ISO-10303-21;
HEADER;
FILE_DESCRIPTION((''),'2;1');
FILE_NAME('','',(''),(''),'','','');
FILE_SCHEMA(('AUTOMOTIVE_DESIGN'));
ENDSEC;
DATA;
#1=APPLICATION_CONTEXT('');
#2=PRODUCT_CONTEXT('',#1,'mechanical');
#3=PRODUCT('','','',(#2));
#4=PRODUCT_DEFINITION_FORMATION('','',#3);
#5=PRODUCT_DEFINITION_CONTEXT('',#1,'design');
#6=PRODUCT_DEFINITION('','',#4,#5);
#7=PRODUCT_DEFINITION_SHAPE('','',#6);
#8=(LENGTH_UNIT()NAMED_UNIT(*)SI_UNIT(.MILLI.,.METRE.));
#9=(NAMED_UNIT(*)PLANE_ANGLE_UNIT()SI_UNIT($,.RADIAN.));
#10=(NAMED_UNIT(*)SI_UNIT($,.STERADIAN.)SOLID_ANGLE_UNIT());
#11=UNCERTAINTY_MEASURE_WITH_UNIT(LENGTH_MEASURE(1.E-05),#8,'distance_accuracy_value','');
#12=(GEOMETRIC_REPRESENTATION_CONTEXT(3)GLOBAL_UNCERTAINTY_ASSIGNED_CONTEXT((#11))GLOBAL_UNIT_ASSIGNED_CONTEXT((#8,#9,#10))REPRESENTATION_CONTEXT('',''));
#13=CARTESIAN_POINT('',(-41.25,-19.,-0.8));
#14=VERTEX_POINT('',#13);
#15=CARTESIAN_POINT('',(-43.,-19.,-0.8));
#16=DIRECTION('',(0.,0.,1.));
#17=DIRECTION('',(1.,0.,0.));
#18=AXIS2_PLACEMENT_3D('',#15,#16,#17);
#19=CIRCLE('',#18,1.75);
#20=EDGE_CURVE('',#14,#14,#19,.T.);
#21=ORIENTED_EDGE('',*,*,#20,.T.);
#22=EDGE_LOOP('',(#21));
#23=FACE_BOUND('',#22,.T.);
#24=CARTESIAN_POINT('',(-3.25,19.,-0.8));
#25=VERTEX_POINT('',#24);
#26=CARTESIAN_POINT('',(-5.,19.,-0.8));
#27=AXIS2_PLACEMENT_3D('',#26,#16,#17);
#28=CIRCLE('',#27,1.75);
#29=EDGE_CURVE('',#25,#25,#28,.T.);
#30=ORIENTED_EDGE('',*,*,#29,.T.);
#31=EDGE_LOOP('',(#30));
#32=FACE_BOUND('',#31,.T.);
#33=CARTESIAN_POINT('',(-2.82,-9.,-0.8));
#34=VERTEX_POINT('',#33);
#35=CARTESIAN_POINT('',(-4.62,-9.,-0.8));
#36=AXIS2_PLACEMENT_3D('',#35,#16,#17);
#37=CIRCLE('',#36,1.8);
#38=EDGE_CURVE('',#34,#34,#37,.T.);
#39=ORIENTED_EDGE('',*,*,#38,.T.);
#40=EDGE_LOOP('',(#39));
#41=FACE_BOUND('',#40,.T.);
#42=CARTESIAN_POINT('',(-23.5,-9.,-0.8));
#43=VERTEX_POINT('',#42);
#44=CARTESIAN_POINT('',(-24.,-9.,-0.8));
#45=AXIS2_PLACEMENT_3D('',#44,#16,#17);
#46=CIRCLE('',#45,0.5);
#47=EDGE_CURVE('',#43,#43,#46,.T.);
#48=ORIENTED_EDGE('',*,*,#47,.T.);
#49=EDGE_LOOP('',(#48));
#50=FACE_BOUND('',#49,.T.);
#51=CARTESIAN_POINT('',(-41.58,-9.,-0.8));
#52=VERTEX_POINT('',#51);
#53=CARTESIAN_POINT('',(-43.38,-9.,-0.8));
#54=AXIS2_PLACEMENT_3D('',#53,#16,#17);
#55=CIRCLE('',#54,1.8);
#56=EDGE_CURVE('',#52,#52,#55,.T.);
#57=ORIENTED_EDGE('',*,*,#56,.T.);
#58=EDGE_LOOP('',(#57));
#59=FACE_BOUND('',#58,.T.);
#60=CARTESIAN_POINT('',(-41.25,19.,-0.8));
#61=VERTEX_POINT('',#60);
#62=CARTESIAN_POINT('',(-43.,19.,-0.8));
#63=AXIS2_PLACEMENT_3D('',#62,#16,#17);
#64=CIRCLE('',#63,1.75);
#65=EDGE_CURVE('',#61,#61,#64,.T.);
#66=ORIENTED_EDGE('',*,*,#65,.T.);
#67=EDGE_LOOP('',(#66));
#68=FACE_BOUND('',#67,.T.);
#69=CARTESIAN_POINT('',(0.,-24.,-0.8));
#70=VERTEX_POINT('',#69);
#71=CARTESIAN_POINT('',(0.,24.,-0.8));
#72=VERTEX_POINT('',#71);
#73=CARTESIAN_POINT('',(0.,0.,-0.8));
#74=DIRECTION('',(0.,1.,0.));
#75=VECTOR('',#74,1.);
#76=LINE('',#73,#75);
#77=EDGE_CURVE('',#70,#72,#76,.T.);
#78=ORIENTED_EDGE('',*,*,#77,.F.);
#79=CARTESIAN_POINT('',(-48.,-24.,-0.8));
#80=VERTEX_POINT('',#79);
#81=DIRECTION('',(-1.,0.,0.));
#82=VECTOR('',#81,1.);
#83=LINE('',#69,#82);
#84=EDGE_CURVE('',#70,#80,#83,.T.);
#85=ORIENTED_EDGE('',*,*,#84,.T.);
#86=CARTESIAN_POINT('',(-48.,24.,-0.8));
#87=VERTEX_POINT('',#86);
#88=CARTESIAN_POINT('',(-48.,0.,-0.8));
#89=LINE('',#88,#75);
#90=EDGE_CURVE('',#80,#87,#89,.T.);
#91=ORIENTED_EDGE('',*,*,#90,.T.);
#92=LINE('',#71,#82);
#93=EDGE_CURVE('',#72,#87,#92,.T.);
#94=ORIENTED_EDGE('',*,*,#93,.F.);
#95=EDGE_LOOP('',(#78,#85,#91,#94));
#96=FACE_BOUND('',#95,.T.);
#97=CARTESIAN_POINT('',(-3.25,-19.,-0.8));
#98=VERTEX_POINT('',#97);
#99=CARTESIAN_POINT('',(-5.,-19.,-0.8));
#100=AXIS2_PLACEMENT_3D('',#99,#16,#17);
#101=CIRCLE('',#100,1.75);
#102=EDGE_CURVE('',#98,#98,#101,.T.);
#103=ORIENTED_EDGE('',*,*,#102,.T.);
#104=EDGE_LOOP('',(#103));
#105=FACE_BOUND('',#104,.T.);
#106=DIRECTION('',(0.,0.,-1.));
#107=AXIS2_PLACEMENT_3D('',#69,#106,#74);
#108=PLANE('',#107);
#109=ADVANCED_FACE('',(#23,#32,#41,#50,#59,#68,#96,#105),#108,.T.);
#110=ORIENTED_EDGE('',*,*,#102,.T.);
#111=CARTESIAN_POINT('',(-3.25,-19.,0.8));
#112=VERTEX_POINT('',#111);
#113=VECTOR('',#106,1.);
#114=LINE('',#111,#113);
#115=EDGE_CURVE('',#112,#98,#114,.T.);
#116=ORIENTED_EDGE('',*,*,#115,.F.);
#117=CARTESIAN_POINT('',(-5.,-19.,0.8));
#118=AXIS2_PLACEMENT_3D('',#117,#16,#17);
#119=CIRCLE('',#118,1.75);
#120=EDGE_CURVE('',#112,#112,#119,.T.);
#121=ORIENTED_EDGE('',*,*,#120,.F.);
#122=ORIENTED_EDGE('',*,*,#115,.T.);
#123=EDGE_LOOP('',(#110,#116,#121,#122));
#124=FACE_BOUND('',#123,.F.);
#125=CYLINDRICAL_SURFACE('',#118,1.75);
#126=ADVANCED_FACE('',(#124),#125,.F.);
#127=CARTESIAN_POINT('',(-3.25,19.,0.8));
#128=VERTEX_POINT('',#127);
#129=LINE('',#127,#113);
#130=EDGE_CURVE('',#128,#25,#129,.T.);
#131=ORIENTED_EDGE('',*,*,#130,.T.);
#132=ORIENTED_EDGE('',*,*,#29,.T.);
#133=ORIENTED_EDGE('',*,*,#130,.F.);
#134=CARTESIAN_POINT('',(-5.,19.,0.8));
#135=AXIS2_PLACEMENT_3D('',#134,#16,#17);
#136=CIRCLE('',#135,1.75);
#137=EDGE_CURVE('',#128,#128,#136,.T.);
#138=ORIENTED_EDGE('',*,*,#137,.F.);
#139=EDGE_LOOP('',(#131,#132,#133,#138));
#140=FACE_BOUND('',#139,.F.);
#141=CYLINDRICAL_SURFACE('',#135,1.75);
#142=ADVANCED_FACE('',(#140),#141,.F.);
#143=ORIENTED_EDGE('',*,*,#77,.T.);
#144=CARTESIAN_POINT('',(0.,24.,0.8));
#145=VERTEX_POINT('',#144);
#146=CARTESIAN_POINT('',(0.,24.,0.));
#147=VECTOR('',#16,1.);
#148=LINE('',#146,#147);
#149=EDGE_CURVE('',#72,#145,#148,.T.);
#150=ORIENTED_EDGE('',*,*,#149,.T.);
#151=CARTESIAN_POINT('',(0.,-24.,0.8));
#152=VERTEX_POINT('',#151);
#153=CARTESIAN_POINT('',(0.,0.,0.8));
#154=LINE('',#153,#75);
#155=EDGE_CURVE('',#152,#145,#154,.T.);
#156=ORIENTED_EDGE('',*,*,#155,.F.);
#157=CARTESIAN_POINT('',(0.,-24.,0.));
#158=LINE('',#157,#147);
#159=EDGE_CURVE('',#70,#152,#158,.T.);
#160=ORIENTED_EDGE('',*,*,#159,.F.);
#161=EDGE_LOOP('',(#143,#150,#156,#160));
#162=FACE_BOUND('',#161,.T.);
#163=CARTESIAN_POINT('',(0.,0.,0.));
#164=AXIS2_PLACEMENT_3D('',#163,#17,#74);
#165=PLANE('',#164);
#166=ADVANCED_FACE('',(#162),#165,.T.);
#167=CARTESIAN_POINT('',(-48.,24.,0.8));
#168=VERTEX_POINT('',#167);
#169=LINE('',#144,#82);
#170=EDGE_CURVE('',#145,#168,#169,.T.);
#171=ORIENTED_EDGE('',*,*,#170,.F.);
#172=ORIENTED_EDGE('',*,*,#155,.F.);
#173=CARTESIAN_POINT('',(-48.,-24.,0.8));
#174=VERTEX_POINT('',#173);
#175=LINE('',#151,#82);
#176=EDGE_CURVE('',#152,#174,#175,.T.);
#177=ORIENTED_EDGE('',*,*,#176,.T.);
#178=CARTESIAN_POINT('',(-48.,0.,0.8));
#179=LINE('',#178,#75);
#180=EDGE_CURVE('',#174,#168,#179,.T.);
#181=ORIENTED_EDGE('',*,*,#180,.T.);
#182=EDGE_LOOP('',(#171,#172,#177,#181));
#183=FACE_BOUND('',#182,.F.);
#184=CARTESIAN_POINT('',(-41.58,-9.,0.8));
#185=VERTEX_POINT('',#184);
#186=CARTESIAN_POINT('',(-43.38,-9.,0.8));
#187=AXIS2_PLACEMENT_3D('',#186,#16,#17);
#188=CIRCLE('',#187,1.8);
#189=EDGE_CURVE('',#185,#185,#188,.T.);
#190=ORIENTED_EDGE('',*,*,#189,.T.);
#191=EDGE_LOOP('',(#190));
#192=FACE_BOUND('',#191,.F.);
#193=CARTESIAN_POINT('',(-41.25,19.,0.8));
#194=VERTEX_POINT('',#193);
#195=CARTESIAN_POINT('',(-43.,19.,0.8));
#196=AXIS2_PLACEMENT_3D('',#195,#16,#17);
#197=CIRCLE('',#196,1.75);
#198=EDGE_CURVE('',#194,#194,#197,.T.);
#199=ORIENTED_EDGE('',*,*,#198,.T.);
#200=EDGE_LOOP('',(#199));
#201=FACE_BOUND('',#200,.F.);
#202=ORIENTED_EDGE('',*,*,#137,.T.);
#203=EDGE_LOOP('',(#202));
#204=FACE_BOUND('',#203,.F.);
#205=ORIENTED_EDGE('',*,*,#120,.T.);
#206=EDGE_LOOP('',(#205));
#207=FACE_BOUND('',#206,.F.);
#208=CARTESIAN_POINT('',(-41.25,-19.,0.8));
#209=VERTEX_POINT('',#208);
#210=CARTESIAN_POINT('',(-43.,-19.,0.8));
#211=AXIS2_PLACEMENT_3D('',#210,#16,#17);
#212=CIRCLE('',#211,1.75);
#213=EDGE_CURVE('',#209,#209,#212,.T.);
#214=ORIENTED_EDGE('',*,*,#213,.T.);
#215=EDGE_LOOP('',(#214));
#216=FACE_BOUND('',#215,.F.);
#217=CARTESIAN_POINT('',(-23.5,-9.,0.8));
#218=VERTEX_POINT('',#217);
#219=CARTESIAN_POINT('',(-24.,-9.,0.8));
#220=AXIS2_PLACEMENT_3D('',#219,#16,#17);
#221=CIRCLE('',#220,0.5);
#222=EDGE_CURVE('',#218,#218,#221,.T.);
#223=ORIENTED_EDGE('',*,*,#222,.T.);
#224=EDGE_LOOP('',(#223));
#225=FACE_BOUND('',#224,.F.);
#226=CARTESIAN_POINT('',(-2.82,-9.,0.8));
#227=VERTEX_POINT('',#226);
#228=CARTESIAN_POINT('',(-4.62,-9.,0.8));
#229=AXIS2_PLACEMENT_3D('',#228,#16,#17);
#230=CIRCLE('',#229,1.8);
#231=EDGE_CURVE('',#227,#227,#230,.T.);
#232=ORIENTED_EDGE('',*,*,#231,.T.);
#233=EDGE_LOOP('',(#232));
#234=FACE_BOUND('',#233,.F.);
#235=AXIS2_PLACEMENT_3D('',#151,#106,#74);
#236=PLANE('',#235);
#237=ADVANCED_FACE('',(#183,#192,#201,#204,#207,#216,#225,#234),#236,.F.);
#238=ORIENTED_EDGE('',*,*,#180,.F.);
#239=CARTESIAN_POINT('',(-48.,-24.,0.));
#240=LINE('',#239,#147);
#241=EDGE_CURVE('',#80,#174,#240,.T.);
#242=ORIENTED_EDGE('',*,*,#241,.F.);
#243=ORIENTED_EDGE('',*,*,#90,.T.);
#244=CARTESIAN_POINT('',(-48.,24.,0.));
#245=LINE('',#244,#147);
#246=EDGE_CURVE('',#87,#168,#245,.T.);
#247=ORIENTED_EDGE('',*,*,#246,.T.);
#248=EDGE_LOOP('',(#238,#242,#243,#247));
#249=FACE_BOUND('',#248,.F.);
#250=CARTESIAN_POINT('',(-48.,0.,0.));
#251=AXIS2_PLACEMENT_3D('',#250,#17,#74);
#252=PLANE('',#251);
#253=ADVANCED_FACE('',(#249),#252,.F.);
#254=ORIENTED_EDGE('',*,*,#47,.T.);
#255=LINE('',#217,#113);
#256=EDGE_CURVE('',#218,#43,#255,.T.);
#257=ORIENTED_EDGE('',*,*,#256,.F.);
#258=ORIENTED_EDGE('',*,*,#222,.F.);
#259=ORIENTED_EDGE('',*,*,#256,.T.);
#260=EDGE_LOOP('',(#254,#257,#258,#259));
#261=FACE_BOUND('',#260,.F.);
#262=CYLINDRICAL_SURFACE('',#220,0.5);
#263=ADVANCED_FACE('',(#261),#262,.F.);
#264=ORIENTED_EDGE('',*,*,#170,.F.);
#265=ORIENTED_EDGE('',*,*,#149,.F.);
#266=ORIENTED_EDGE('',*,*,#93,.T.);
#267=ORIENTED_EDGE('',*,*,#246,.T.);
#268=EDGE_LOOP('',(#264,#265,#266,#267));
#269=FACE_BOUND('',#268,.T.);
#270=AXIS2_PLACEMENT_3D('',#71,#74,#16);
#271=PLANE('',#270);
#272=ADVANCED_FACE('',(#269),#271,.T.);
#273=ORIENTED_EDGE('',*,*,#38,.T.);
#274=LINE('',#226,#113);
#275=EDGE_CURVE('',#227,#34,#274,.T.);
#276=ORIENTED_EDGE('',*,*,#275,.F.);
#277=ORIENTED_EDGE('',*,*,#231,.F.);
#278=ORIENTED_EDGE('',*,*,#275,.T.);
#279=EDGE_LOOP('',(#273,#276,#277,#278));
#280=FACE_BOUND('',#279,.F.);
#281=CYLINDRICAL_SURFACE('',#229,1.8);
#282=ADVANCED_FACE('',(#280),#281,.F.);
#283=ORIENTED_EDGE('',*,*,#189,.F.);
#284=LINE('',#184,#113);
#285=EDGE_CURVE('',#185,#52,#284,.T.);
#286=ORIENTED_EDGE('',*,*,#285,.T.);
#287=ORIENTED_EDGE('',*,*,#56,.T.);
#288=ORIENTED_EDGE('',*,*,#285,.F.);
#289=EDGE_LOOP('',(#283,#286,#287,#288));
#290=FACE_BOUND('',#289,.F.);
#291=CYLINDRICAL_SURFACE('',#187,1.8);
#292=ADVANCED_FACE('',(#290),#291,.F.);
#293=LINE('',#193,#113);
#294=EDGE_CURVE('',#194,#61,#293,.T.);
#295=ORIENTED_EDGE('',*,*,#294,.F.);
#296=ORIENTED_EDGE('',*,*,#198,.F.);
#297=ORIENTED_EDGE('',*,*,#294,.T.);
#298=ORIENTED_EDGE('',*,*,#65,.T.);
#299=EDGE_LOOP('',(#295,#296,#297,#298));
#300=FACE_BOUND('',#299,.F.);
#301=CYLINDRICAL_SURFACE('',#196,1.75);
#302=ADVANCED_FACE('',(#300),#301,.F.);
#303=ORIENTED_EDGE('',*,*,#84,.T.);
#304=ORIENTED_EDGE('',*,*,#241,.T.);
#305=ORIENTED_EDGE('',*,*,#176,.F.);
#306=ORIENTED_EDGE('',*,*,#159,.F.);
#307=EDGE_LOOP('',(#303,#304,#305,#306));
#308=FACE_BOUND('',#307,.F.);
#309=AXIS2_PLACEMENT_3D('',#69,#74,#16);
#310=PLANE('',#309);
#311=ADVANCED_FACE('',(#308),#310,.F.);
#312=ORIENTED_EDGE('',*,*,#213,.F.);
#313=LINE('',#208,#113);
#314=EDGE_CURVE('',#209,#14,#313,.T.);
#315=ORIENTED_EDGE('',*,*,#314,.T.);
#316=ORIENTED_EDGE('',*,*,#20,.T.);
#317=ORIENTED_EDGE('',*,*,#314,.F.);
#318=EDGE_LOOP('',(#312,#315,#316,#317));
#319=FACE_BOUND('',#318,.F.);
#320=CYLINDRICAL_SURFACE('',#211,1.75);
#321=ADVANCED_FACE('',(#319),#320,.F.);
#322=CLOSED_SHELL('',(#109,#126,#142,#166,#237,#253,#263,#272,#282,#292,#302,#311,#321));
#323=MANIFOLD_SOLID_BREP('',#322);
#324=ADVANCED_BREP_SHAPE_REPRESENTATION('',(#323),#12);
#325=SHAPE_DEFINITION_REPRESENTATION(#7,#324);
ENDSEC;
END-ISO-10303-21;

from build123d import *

# Parameters (mm, degrees)
F0_W     = 48
F0_H     = 1.6
F1_DEPTH = 48
F2_R     = 1.75
F2_R_2   = 1.8
F2_R_3   = 0.5
F3_DEPTH = 1.601
F4_W     = 48
F4_H     = 48
F4_R     = 1.75
F4_W_2   = 20
F4_H_2   = 9
F5_DEPTH = 5


with BuildPart() as f1:
    # F0 (on Right) → F1 (new body)
    with BuildSketch(Plane.YZ):
        Rectangle(F0_W, F0_H)
    extrude(amount=-F1_DEPTH)

    # F2 (on face) → F3 (cut, through all)
    with BuildSketch(Plane.XY.offset(0.8)):
        with Locations((-43, -19)):
            Circle(F2_R)
        with Locations((-43, 19)):
            Circle(F2_R)
        with Locations((-43.38, -9)):
            Circle(F2_R_2)
        with Locations((-4.62, -9)):
            Circle(F2_R_2)
        with Locations((-5, 19)):
            Circle(F2_R)
        with Locations((-5, -19)):
            Circle(F2_R)
        with Locations((-24, -9)):
            Circle(F2_R_3)
    extrude(amount=-F3_DEPTH, mode=Mode.SUBTRACT)


with BuildPart() as f5:
    # F4 (on Top) → F5 (new body)
    with BuildSketch(Plane.XY):
        Rectangle(F4_W, F4_H)
        with Locations((-19, -19)):
            Circle(F4_R, mode=Mode.SUBTRACT)
        with Locations((19, -19)):
            Circle(F4_R, mode=Mode.SUBTRACT)
        with Locations((-19, 19)):
            Circle(F4_R, mode=Mode.SUBTRACT)
        with Locations((0, 14.5)):
            Rectangle(F4_W_2, F4_H_2, mode=Mode.SUBTRACT)
        with Locations((19, 19)):
            Circle(F4_R, mode=Mode.SUBTRACT)
    extrude(amount=F5_DEPTH)


solid = f1.part
